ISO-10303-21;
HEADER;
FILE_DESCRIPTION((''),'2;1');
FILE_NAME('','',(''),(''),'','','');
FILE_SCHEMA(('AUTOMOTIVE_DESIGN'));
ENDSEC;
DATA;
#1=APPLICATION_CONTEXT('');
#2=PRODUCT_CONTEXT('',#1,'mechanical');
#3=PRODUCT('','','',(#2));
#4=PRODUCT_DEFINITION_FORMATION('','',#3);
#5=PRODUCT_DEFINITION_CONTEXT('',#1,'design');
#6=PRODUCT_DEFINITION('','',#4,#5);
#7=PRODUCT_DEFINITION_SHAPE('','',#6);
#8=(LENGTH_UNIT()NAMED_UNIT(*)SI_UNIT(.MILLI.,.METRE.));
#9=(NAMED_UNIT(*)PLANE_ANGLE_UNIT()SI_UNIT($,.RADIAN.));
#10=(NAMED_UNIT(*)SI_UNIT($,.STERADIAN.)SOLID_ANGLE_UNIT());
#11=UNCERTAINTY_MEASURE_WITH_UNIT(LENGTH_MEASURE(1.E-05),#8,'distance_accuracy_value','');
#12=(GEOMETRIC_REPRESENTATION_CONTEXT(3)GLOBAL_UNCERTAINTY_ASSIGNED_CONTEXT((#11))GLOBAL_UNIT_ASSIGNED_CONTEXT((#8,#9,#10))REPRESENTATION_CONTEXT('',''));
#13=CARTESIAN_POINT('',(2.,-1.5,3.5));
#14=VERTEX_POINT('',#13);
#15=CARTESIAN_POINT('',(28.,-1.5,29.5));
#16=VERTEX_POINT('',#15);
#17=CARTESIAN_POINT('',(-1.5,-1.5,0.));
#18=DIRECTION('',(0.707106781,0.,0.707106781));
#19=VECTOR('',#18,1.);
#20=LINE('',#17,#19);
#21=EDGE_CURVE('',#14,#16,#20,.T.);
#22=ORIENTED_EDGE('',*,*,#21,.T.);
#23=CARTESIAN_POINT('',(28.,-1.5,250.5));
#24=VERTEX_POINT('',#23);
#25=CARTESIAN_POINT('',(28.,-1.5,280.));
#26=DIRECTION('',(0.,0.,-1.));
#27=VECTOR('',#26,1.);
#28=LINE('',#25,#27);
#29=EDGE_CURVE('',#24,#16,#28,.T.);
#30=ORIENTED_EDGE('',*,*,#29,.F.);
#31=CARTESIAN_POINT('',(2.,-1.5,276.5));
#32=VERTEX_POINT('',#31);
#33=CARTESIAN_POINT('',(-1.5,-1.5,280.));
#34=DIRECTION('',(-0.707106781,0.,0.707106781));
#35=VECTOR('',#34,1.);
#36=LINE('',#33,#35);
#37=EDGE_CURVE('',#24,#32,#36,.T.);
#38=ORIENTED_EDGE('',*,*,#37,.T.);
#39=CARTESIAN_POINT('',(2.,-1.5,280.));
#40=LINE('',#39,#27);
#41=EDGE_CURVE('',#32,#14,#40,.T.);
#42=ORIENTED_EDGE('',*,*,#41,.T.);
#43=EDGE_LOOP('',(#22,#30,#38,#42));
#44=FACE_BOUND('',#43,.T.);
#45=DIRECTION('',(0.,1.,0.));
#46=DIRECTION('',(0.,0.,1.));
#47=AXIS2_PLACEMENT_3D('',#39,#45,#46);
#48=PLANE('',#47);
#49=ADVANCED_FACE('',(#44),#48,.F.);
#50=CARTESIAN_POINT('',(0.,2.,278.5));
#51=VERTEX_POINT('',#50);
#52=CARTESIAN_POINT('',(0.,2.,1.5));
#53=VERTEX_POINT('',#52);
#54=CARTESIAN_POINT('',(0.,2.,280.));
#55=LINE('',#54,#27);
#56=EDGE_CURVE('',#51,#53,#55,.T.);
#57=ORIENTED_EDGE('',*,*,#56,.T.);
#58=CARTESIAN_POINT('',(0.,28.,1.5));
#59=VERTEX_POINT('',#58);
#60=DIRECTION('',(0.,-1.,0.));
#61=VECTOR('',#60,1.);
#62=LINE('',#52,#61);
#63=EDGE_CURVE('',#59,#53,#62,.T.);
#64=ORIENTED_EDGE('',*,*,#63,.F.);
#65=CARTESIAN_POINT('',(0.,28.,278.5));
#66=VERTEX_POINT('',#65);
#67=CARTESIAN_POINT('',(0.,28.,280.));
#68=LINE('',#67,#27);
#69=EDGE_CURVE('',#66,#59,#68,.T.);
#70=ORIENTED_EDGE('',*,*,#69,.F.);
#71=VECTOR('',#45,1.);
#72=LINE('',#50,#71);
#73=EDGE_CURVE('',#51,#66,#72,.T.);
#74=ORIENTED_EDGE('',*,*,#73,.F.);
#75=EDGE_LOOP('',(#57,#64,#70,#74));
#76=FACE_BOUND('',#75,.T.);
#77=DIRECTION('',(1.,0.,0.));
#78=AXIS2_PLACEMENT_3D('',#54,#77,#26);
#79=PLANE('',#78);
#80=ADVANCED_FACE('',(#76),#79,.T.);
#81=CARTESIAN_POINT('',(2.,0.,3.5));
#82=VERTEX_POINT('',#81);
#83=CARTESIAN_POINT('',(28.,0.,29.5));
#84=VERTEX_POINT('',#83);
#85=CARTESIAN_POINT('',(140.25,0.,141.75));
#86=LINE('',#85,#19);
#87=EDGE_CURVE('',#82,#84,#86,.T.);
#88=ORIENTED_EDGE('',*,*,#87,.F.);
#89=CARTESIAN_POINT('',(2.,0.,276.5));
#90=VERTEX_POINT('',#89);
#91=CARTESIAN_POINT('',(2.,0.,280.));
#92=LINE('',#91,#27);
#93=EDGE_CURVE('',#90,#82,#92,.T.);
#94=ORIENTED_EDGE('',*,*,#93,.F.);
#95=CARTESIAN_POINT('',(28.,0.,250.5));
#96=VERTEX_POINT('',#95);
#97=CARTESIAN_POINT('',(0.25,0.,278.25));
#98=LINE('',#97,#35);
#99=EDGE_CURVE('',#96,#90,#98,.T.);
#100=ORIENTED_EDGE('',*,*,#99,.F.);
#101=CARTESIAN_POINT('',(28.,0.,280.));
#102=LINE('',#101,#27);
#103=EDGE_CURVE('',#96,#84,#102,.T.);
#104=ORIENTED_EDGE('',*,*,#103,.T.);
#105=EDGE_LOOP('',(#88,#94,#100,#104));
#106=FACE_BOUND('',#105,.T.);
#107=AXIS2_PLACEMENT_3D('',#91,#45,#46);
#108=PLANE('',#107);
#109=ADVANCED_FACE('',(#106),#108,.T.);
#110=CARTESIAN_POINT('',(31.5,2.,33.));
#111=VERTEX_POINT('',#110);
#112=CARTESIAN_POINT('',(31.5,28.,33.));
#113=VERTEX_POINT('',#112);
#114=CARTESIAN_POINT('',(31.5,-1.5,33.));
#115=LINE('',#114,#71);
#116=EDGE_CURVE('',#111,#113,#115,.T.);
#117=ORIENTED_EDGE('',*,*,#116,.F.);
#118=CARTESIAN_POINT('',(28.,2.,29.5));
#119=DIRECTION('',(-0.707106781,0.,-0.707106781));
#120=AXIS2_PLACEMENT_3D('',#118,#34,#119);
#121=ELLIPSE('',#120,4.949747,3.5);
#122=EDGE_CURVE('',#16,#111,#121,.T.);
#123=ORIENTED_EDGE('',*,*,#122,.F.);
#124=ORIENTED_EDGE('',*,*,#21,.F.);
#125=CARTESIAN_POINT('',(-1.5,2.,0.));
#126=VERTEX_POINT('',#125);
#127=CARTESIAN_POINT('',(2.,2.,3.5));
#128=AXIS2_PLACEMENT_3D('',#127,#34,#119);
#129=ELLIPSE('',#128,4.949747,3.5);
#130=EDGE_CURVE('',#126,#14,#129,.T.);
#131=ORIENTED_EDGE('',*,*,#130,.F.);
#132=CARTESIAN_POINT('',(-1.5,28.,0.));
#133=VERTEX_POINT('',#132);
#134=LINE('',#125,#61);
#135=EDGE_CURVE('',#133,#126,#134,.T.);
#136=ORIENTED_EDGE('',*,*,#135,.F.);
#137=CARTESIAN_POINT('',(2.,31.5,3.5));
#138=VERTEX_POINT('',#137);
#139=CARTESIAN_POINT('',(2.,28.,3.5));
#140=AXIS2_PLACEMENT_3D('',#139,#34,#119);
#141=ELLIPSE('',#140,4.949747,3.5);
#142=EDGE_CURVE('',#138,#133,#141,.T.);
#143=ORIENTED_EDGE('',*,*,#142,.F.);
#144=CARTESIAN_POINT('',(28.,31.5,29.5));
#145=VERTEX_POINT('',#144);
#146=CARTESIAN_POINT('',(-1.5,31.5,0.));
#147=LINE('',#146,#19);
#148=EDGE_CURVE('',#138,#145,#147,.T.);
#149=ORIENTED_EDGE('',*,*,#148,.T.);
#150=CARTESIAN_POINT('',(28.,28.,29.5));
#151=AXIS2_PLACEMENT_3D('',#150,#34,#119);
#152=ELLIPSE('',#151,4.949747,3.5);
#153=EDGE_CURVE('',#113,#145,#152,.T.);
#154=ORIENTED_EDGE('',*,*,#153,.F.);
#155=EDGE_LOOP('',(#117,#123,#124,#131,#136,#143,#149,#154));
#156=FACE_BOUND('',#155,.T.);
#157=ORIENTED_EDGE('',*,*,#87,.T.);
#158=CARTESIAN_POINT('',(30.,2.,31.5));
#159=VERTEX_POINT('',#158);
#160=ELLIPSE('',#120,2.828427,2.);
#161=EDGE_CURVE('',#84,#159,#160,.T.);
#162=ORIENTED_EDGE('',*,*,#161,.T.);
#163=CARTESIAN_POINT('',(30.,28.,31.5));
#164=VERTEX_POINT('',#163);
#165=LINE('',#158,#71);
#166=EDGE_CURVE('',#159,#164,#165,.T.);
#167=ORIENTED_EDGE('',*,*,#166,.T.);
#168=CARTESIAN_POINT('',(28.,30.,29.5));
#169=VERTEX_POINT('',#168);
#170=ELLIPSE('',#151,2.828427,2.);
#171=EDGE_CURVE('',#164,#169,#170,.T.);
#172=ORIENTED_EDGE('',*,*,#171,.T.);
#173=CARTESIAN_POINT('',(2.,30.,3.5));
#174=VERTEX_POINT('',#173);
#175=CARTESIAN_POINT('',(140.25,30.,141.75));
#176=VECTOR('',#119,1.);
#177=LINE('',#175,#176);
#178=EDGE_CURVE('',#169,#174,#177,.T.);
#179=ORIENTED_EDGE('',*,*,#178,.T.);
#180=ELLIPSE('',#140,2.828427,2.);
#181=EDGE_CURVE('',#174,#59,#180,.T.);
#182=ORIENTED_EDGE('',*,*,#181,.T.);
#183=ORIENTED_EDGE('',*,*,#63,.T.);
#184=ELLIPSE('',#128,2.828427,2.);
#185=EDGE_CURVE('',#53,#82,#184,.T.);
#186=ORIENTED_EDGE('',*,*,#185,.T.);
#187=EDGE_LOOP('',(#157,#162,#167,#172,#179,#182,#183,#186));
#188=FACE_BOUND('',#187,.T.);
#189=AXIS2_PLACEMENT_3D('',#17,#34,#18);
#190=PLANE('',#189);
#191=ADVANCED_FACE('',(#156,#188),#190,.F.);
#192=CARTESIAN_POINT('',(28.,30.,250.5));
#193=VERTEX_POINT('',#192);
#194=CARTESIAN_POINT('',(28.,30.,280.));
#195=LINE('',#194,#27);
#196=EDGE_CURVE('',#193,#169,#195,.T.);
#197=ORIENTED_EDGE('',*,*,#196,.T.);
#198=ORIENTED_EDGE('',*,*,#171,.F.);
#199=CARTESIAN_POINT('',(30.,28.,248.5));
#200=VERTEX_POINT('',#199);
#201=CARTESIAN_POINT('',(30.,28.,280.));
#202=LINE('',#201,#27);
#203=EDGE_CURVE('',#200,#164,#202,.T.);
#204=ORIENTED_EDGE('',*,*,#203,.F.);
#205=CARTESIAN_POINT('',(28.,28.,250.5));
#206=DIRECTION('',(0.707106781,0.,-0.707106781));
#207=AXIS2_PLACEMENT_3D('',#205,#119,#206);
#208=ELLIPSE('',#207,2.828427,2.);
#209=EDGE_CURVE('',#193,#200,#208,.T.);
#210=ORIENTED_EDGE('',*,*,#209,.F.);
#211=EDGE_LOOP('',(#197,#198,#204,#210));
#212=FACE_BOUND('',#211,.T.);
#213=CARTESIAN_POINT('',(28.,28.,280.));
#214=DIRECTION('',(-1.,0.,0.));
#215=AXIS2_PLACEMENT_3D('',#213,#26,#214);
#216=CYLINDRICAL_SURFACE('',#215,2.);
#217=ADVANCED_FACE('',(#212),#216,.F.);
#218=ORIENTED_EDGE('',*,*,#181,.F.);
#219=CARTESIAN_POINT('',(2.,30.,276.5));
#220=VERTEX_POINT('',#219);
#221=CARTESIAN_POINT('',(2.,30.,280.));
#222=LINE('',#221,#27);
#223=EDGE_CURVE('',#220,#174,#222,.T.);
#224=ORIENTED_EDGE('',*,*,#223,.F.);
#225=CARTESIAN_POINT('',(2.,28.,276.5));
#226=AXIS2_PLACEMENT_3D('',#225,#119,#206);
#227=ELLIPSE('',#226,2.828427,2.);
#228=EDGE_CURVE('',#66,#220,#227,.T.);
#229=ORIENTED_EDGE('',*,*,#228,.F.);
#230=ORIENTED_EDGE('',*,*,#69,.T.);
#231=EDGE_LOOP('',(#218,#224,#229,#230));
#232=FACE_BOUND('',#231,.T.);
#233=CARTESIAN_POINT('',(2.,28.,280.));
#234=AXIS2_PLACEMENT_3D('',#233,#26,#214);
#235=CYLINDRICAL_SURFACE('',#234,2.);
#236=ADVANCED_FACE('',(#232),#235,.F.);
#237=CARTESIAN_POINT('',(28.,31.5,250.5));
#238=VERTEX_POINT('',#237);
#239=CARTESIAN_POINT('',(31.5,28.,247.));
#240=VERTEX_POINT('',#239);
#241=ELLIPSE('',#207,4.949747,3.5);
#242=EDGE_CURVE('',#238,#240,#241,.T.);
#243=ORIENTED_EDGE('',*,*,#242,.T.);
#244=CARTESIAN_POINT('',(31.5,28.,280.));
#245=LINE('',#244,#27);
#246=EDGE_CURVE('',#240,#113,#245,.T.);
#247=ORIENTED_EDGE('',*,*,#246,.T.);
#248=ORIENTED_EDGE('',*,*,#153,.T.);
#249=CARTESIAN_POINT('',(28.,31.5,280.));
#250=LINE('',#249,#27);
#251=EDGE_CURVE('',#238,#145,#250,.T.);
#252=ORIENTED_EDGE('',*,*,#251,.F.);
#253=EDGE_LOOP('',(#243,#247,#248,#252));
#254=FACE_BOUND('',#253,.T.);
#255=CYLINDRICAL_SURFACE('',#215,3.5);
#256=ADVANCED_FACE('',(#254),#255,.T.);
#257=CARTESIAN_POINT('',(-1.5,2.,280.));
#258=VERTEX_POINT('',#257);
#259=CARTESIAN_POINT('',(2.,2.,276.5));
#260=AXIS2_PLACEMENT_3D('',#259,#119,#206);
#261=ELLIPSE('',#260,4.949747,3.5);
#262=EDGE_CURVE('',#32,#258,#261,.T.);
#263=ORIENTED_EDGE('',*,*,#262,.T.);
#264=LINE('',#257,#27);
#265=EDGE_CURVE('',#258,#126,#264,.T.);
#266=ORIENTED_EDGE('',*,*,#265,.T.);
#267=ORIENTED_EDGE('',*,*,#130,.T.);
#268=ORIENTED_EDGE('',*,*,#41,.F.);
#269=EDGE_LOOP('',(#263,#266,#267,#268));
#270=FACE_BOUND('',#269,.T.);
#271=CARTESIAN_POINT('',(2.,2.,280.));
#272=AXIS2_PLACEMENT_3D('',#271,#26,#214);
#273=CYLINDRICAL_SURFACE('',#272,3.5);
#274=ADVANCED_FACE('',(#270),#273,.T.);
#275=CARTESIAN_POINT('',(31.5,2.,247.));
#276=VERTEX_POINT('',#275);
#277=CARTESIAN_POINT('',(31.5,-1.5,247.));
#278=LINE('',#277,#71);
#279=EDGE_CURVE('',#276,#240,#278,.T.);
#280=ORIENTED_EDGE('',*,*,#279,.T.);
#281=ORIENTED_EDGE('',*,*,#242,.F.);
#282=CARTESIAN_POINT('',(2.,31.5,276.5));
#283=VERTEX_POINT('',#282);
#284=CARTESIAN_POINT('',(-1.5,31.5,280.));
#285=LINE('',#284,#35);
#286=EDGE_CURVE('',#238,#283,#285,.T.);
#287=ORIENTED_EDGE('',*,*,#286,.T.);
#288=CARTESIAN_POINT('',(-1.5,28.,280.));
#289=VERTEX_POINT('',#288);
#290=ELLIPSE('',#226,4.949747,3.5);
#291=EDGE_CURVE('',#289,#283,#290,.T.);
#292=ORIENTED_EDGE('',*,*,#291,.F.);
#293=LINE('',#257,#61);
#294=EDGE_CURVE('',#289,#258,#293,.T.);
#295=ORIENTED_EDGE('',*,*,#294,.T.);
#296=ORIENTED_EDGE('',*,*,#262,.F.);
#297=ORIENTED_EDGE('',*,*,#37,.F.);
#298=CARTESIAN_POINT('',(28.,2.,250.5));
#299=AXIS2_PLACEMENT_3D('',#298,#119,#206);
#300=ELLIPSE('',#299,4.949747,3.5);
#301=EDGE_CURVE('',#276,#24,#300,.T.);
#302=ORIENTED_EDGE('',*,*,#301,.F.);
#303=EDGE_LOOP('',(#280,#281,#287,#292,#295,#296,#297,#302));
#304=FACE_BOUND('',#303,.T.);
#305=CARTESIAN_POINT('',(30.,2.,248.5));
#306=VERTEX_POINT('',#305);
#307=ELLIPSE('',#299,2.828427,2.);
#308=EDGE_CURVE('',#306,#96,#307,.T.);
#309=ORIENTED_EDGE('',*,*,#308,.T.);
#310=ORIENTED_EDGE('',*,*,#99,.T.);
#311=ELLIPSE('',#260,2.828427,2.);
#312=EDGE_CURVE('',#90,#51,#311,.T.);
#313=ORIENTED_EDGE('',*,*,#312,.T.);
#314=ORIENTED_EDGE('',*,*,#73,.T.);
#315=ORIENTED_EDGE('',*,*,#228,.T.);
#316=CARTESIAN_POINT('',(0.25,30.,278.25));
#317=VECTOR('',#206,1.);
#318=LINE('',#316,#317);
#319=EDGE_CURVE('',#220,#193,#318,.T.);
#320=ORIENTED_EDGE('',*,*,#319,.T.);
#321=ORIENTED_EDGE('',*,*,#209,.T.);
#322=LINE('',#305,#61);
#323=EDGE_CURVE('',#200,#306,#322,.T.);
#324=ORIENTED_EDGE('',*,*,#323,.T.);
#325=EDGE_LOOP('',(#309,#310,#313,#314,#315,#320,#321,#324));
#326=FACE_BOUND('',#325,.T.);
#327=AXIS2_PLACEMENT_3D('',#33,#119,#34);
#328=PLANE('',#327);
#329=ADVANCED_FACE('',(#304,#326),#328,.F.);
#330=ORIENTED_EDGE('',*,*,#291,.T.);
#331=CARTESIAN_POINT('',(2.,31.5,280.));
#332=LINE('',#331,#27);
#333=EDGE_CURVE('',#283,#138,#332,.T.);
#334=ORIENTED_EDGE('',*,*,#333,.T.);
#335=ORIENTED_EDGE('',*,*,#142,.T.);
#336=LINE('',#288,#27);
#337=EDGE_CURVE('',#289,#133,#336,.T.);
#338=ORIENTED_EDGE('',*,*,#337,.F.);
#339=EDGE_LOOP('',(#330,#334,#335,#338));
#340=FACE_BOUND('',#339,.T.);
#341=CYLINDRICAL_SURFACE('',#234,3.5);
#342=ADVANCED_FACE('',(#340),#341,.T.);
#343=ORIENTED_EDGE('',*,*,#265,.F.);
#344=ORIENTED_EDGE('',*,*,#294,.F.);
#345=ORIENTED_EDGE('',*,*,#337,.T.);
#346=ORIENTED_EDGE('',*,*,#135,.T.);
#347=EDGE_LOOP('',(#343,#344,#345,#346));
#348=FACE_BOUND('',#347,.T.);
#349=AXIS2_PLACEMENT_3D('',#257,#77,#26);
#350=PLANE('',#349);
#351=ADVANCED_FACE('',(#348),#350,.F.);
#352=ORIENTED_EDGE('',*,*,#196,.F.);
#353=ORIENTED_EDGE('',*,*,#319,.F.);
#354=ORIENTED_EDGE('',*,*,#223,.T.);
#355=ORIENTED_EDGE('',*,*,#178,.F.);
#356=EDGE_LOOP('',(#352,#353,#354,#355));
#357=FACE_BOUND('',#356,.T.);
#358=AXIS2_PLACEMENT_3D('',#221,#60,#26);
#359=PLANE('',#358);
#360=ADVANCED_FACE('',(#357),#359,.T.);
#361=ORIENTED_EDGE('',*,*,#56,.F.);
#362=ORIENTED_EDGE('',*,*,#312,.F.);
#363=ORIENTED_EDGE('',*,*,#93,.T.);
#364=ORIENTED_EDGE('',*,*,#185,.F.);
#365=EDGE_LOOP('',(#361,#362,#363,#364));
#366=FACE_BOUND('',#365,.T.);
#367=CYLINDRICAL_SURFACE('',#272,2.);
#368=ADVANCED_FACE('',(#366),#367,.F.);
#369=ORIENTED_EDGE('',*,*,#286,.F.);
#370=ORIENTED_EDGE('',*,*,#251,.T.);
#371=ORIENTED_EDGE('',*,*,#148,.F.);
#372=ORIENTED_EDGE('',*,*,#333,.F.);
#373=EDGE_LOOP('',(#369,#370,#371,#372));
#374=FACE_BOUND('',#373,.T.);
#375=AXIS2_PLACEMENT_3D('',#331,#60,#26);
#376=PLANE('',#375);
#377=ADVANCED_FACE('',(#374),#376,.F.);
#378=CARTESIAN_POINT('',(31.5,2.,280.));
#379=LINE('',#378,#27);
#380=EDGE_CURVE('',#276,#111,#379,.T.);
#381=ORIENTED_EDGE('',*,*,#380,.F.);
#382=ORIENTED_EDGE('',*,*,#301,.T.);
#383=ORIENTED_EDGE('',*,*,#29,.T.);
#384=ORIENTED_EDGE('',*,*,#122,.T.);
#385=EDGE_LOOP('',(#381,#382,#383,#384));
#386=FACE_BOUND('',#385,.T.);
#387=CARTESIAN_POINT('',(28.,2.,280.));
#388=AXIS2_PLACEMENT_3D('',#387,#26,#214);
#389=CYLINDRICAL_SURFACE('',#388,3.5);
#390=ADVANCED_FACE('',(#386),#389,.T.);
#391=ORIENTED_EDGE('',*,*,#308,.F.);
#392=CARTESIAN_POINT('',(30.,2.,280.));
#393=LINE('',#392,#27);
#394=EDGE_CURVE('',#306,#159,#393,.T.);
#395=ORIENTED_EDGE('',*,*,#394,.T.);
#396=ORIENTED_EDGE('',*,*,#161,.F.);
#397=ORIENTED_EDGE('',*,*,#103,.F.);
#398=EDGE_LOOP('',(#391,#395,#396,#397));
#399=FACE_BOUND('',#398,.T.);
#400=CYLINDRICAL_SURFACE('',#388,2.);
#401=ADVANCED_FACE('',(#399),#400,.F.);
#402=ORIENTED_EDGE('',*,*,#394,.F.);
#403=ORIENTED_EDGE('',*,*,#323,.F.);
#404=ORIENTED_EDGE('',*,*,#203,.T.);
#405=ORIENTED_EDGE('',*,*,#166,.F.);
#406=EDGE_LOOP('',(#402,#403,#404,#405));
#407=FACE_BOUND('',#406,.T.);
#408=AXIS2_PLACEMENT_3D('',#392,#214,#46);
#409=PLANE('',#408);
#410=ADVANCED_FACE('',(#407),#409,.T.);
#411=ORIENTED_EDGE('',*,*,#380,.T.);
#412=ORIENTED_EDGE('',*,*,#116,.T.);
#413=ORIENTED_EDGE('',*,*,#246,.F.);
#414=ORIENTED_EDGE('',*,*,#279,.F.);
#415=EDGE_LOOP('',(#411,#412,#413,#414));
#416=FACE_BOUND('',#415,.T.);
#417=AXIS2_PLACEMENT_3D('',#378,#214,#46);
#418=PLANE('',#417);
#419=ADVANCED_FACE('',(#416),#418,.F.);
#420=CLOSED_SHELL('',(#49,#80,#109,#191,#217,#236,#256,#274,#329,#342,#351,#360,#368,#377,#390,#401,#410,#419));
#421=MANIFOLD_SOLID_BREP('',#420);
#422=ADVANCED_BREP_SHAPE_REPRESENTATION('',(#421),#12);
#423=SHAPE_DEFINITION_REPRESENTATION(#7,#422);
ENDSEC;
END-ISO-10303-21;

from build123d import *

# Parameters (mm, degrees)
EXTRUDE_1_DEPTH     = 280
CUT_EXTRUDE_1_DEPTH = 284.692174725


with BuildPart() as part:
    # Эскиз1 → Вытянуть-Тонкостенный1 (new body)
    with BuildSketch(Plane.XY):
        with BuildLine():
            Line((2, -1.5), (28, -1.5))
            ThreePointArc((28, -1.5), (30.474873734, -0.474873734), (31.5, 2))
            Line((31.5, 2), (31.5, 28))
            ThreePointArc((31.5, 28), (30.474873734, 30.474873734), (28, 31.5))
            Line((28, 31.5), (2, 31.5))
            ThreePointArc((2, 31.5), (-0.474873734, 30.474873734), (-1.5, 28))
            Line((-1.5, 28), (-1.5, 2))
            ThreePointArc((-1.5, 2), (-0.474873734, -0.474873734), (2, -1.5))
        make_face()
        with BuildLine():
            Line((2, 0), (28, 0))
            ThreePointArc((28, 0), (29.414213562, 0.585786438), (30, 2))
            Line((30, 2), (30, 28))
            ThreePointArc((30, 28), (29.414213562, 29.414213562), (28, 30))
            Line((28, 30), (2, 30))
            ThreePointArc((2, 30), (0.585786438, 29.414213562), (0, 28))
            Line((0, 28), (0, 2))
            ThreePointArc((0, 2), (0.585786438, 0.585786438), (2, 0))
        make_face(mode=Mode.SUBTRACT)
    extrude(amount=EXTRUDE_1_DEPTH)

    # Эскиз2 → Вырез-Вытянуть1 (cut, through all)
    with BuildSketch(Plane(origin=(0, 31.5, 0), x_dir=(1, 0, 0), z_dir=(0, 1, 0))):
        Polygon((-1.5, 0), (31.5, -33), (31.5, 0), align=None)
        Polygon((-1.5, -280), (31.5, -247), (31.5, -280), align=None)
    extrude(amount=-CUT_EXTRUDE_1_DEPTH, mode=Mode.SUBTRACT)


solid = part.part
